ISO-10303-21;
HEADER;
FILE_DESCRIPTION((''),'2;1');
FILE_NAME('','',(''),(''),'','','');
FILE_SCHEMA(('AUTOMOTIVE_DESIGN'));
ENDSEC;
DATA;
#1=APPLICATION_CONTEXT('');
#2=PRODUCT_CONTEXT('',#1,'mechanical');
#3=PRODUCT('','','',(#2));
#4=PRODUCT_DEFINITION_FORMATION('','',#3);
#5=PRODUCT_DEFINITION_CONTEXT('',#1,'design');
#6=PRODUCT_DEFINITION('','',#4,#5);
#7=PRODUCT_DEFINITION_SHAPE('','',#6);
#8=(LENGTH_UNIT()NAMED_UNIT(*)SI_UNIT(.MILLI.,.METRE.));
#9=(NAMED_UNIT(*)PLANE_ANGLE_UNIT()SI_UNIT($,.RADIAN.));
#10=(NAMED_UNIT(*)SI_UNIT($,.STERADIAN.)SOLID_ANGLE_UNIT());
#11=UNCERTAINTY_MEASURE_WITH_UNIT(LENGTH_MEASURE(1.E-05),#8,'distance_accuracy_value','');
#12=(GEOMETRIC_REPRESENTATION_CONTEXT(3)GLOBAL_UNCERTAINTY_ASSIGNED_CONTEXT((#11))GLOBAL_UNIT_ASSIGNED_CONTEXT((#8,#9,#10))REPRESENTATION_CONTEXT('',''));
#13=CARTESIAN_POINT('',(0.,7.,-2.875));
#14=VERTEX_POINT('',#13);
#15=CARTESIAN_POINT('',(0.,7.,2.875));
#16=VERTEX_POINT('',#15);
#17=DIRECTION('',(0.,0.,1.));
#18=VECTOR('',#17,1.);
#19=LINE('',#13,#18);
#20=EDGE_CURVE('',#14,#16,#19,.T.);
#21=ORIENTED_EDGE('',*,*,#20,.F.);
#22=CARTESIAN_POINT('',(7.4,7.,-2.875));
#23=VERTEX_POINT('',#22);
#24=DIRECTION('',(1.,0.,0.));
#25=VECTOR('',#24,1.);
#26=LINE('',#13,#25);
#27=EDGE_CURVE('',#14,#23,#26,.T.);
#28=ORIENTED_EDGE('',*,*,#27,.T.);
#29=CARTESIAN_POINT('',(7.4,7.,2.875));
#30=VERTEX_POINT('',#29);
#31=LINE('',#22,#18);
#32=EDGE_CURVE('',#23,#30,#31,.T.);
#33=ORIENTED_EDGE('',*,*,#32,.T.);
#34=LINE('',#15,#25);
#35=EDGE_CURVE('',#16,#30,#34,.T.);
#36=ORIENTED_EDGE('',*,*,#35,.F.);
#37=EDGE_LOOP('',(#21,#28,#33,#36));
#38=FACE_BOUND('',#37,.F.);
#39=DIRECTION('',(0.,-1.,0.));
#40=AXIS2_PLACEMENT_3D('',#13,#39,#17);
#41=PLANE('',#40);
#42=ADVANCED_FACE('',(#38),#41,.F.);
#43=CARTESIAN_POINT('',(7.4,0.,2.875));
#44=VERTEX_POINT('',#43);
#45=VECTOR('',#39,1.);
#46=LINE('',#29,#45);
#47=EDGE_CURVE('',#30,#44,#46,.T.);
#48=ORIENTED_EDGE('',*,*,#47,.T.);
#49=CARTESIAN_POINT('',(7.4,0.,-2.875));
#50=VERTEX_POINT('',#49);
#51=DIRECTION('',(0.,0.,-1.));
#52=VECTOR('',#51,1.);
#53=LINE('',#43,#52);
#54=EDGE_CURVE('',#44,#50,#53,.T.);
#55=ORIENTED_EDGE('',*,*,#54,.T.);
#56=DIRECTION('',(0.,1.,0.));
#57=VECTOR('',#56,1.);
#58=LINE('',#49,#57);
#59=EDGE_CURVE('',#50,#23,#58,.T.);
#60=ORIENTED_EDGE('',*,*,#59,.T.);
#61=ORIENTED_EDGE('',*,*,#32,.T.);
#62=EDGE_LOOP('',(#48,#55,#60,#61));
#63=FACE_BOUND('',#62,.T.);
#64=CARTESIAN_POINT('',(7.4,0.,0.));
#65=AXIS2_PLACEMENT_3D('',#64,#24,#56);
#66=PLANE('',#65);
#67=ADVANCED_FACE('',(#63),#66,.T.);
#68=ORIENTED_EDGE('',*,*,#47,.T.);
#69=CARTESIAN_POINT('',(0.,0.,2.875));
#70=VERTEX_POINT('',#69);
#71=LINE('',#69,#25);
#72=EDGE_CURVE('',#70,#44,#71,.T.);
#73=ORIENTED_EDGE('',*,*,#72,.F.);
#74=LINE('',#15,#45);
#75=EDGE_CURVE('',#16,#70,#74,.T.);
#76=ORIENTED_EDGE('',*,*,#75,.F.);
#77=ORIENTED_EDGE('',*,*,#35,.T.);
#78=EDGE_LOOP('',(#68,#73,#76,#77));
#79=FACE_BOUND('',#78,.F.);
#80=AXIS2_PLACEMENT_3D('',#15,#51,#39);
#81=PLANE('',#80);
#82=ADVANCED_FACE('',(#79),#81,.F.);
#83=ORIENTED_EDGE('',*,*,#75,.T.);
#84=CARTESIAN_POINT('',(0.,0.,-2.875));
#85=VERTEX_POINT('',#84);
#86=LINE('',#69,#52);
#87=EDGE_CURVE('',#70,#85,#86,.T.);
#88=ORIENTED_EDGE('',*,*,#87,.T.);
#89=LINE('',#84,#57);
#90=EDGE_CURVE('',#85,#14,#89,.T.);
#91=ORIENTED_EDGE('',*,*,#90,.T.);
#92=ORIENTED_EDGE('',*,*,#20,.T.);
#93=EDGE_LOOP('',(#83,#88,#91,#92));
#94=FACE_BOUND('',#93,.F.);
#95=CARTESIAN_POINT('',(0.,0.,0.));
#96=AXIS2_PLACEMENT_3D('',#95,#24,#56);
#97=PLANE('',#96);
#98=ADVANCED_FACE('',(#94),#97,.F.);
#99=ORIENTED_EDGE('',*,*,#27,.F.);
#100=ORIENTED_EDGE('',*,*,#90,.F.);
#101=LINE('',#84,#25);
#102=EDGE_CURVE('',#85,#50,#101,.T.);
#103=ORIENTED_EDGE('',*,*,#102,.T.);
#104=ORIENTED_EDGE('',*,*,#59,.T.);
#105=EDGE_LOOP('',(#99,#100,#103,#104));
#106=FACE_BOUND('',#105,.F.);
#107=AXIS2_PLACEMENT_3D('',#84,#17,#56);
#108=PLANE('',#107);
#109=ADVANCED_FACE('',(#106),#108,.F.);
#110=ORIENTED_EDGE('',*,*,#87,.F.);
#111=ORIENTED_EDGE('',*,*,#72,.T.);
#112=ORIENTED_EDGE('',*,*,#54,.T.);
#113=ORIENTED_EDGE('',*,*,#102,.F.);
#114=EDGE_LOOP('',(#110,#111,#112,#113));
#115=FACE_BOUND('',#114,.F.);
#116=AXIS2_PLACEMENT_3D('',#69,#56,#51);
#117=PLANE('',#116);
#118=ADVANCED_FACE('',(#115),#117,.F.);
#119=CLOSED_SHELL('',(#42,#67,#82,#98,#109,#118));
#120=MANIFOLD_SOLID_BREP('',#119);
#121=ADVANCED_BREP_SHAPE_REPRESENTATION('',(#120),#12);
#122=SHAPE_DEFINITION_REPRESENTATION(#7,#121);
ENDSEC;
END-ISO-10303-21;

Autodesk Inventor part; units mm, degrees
ref_plane "YZ Plane" through (0, 0, 0) normal (1, 0, 0) x (0, 1, 0)
ref_plane "XZ Plane" through (0, 0, 0) normal (0, 1, 0) x (-1, 0, 0)
ref_plane "XY Plane" through (0, 0, 0) normal (0, 0, 1) x (1, 0, 0)
sketch "スケッチ1" plane through (0, 0, 0) normal (1, 0, 0) x (0, 1, 0)
  line L0 (7, 2.875) -> (0, 2.875)
  line L1 (0, 2.875) -> (0, -2.875)
  line L2 (0, -2.875) -> (7, -2.875)
  line L3 (7, -2.875) -> (7, 2.875)
  point P0 (0, 0)
  point P1 (0, 0)
  dimension "d0" = 7
  dimension "d1" = 5.75
extrude "押し出し1" add sketch "スケッチ1" along normal blind 7.4
properties part number "2"
